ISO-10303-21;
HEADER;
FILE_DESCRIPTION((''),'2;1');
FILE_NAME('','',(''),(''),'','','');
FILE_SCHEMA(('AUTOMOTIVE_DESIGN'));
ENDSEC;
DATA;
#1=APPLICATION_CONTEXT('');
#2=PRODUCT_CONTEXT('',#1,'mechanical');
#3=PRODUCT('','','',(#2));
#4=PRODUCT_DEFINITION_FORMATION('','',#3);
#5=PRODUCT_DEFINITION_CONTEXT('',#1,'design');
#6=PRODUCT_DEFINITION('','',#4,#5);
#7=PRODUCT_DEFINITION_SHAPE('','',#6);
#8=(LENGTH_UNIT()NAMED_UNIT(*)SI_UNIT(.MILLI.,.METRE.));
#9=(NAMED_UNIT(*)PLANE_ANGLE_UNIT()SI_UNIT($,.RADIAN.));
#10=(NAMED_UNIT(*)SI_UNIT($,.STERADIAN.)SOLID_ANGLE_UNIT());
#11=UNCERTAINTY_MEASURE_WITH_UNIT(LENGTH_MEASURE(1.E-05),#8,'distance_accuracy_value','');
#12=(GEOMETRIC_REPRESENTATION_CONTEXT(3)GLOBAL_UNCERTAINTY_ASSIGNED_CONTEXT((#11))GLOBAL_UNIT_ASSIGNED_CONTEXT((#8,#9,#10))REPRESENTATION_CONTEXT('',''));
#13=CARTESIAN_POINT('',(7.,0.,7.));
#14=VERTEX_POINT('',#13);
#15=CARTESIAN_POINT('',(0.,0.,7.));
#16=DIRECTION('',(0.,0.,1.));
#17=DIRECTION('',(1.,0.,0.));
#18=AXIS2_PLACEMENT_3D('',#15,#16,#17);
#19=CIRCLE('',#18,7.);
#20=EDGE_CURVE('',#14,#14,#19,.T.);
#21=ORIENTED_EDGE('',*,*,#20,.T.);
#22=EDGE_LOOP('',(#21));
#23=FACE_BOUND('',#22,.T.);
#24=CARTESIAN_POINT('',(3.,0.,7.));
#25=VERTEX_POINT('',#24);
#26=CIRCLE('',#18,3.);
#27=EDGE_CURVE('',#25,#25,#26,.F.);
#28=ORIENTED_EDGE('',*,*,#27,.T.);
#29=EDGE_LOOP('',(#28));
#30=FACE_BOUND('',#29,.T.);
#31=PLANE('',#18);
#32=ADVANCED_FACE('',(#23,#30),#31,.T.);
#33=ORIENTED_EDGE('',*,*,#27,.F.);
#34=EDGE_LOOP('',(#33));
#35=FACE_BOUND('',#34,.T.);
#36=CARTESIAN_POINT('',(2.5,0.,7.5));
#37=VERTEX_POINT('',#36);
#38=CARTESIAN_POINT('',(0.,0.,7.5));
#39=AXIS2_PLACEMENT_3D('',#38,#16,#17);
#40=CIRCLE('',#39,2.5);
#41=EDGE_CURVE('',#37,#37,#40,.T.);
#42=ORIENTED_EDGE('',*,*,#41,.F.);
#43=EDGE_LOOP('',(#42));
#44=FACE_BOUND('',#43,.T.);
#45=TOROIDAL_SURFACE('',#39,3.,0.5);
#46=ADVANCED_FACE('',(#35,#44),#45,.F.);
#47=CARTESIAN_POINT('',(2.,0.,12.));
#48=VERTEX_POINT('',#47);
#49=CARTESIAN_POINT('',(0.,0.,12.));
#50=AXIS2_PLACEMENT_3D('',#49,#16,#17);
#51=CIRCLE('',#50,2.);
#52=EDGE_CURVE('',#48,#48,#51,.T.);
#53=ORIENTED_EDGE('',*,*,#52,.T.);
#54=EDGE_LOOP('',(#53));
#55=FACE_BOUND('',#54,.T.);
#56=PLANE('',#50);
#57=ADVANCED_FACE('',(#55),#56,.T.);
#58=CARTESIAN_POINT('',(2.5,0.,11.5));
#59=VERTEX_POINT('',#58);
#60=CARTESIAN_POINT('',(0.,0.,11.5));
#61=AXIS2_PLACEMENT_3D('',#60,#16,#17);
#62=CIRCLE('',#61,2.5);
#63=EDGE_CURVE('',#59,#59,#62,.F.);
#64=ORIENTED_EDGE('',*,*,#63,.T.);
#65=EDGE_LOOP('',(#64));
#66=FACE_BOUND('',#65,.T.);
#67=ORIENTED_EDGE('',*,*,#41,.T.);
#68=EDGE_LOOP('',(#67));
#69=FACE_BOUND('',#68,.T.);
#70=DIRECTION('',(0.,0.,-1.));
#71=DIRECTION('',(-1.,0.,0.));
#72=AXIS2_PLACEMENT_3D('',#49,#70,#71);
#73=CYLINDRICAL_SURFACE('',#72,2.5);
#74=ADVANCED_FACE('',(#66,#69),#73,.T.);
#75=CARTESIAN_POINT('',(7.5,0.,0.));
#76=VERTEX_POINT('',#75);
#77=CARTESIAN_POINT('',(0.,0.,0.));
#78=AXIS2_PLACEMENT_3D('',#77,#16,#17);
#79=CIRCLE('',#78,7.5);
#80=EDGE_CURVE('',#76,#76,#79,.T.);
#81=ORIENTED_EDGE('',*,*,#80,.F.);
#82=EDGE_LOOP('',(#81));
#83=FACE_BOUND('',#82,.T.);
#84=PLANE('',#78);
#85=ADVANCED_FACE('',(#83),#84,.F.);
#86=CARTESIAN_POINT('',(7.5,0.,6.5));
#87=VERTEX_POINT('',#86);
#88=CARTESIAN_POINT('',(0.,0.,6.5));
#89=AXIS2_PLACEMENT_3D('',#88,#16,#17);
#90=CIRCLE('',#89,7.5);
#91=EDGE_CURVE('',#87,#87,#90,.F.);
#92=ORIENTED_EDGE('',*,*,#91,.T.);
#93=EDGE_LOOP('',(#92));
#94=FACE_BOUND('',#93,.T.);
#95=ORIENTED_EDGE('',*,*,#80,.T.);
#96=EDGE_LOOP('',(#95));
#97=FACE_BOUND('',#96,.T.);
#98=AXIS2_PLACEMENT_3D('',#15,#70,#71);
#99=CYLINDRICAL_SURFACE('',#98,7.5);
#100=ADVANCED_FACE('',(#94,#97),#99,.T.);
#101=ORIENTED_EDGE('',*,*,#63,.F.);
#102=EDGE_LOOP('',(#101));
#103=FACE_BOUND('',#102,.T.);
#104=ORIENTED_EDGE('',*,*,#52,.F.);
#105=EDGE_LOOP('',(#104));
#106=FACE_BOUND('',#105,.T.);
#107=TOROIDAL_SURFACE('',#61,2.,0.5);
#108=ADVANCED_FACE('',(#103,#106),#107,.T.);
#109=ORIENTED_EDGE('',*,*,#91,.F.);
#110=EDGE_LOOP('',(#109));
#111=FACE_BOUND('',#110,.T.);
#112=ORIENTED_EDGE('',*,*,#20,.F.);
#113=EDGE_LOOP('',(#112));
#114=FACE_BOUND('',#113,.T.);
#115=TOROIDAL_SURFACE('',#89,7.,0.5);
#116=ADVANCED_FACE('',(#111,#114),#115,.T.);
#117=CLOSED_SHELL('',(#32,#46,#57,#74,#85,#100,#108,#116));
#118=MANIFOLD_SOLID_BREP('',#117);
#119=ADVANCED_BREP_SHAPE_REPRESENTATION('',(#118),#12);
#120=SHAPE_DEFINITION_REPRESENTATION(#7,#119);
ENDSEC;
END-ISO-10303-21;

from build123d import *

# Parameters (mm, degrees)
ESQUISSE1_R        = 7.5
BOSS_EXTRU_1_DEPTH = 7
ESQUISSE2_R        = 2.5
BOSS_EXTRU_2_DEPTH = 5
CONG_1_R           = 0.5


with BuildPart() as part:
    # Esquisse1 → Boss.-Extru.1 (new body)
    with BuildSketch(Plane.XY):
        Circle(ESQUISSE1_R)
    extrude(amount=BOSS_EXTRU_1_DEPTH)

    # Esquisse2 → Boss.-Extru.2 (add)
    with BuildSketch(Plane.XY.offset(7)):
        Circle(ESQUISSE2_R)
    extrude(amount=BOSS_EXTRU_2_DEPTH)

    # Congé1
    cong_1_edges = [part.edges().sort_by_distance(p)[0] for p in [
        (-7.5, 0, 7),
        (-2.5, 0, 7),
        (-2.5, 0, 12),
    ]]
    fillet(cong_1_edges, radius=CONG_1_R)


solid = part.part
